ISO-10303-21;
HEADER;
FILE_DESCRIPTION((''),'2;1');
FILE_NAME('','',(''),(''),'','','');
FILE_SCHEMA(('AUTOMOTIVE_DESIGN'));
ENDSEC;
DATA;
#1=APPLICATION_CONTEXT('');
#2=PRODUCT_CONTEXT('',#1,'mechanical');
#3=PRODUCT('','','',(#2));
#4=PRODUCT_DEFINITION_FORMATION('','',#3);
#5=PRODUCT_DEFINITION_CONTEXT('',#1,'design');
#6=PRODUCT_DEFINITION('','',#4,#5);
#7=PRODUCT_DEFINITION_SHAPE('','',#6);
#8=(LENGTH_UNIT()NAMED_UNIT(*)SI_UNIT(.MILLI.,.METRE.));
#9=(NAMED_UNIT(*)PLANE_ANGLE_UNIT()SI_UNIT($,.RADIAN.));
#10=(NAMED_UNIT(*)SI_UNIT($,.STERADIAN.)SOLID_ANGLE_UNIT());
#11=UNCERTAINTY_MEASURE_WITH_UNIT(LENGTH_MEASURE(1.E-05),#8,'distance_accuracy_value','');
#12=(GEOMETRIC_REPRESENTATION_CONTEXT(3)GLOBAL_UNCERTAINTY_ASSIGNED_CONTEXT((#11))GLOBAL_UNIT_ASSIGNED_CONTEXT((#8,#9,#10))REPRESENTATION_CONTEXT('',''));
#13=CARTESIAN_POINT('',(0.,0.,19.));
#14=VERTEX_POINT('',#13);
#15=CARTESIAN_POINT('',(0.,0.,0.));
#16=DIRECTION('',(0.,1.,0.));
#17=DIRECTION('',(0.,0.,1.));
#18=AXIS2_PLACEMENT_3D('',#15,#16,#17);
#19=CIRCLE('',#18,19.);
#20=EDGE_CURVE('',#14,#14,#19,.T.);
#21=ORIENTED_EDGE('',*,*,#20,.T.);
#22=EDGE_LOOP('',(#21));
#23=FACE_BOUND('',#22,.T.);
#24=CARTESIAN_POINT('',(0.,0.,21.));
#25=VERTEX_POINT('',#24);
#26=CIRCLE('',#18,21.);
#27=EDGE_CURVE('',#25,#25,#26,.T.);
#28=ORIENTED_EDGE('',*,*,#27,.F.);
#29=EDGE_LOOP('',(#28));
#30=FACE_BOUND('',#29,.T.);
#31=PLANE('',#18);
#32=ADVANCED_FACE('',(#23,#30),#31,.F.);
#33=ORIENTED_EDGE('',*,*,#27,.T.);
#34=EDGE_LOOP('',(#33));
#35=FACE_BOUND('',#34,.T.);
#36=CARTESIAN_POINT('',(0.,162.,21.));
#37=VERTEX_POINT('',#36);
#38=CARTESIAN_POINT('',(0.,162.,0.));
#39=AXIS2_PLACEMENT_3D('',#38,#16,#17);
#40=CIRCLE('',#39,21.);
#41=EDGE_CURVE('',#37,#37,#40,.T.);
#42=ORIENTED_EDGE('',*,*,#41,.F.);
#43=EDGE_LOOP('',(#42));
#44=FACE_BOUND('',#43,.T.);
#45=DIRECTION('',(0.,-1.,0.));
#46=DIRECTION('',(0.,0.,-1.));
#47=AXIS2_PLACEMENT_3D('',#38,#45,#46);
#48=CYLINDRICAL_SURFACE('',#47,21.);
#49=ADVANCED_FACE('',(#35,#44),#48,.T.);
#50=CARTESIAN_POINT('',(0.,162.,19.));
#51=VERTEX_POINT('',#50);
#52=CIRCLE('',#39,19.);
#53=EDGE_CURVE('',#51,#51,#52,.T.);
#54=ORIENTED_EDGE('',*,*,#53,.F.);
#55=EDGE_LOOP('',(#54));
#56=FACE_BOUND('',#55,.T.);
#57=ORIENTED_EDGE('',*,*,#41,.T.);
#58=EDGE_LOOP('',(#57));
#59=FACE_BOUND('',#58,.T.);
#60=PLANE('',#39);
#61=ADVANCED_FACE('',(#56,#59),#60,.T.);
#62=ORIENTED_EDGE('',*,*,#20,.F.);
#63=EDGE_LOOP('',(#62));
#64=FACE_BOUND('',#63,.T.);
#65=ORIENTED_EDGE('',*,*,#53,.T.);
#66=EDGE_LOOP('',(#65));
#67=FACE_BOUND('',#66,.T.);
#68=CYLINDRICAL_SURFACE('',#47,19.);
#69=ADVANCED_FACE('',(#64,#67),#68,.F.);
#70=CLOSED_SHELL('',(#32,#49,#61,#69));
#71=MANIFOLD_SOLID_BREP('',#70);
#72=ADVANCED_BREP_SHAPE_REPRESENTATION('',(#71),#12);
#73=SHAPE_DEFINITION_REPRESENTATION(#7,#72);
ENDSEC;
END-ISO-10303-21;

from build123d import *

# Parameters (mm, degrees)
SKETCH3_R           = 21
SKETCH3_R_2         = 19
BOSS_EXTRUDE1_DEPTH = 162


with BuildPart() as part:
    # Sketch3 → Boss-Extrude1 (new body)
    with BuildSketch(Plane(origin=(0, 0, 0), x_dir=(1, 0, 0), z_dir=(0, 1, 0))):
        Circle(SKETCH3_R)
        Circle(SKETCH3_R_2, mode=Mode.SUBTRACT)
    extrude(amount=BOSS_EXTRUDE1_DEPTH)


solid = part.part
